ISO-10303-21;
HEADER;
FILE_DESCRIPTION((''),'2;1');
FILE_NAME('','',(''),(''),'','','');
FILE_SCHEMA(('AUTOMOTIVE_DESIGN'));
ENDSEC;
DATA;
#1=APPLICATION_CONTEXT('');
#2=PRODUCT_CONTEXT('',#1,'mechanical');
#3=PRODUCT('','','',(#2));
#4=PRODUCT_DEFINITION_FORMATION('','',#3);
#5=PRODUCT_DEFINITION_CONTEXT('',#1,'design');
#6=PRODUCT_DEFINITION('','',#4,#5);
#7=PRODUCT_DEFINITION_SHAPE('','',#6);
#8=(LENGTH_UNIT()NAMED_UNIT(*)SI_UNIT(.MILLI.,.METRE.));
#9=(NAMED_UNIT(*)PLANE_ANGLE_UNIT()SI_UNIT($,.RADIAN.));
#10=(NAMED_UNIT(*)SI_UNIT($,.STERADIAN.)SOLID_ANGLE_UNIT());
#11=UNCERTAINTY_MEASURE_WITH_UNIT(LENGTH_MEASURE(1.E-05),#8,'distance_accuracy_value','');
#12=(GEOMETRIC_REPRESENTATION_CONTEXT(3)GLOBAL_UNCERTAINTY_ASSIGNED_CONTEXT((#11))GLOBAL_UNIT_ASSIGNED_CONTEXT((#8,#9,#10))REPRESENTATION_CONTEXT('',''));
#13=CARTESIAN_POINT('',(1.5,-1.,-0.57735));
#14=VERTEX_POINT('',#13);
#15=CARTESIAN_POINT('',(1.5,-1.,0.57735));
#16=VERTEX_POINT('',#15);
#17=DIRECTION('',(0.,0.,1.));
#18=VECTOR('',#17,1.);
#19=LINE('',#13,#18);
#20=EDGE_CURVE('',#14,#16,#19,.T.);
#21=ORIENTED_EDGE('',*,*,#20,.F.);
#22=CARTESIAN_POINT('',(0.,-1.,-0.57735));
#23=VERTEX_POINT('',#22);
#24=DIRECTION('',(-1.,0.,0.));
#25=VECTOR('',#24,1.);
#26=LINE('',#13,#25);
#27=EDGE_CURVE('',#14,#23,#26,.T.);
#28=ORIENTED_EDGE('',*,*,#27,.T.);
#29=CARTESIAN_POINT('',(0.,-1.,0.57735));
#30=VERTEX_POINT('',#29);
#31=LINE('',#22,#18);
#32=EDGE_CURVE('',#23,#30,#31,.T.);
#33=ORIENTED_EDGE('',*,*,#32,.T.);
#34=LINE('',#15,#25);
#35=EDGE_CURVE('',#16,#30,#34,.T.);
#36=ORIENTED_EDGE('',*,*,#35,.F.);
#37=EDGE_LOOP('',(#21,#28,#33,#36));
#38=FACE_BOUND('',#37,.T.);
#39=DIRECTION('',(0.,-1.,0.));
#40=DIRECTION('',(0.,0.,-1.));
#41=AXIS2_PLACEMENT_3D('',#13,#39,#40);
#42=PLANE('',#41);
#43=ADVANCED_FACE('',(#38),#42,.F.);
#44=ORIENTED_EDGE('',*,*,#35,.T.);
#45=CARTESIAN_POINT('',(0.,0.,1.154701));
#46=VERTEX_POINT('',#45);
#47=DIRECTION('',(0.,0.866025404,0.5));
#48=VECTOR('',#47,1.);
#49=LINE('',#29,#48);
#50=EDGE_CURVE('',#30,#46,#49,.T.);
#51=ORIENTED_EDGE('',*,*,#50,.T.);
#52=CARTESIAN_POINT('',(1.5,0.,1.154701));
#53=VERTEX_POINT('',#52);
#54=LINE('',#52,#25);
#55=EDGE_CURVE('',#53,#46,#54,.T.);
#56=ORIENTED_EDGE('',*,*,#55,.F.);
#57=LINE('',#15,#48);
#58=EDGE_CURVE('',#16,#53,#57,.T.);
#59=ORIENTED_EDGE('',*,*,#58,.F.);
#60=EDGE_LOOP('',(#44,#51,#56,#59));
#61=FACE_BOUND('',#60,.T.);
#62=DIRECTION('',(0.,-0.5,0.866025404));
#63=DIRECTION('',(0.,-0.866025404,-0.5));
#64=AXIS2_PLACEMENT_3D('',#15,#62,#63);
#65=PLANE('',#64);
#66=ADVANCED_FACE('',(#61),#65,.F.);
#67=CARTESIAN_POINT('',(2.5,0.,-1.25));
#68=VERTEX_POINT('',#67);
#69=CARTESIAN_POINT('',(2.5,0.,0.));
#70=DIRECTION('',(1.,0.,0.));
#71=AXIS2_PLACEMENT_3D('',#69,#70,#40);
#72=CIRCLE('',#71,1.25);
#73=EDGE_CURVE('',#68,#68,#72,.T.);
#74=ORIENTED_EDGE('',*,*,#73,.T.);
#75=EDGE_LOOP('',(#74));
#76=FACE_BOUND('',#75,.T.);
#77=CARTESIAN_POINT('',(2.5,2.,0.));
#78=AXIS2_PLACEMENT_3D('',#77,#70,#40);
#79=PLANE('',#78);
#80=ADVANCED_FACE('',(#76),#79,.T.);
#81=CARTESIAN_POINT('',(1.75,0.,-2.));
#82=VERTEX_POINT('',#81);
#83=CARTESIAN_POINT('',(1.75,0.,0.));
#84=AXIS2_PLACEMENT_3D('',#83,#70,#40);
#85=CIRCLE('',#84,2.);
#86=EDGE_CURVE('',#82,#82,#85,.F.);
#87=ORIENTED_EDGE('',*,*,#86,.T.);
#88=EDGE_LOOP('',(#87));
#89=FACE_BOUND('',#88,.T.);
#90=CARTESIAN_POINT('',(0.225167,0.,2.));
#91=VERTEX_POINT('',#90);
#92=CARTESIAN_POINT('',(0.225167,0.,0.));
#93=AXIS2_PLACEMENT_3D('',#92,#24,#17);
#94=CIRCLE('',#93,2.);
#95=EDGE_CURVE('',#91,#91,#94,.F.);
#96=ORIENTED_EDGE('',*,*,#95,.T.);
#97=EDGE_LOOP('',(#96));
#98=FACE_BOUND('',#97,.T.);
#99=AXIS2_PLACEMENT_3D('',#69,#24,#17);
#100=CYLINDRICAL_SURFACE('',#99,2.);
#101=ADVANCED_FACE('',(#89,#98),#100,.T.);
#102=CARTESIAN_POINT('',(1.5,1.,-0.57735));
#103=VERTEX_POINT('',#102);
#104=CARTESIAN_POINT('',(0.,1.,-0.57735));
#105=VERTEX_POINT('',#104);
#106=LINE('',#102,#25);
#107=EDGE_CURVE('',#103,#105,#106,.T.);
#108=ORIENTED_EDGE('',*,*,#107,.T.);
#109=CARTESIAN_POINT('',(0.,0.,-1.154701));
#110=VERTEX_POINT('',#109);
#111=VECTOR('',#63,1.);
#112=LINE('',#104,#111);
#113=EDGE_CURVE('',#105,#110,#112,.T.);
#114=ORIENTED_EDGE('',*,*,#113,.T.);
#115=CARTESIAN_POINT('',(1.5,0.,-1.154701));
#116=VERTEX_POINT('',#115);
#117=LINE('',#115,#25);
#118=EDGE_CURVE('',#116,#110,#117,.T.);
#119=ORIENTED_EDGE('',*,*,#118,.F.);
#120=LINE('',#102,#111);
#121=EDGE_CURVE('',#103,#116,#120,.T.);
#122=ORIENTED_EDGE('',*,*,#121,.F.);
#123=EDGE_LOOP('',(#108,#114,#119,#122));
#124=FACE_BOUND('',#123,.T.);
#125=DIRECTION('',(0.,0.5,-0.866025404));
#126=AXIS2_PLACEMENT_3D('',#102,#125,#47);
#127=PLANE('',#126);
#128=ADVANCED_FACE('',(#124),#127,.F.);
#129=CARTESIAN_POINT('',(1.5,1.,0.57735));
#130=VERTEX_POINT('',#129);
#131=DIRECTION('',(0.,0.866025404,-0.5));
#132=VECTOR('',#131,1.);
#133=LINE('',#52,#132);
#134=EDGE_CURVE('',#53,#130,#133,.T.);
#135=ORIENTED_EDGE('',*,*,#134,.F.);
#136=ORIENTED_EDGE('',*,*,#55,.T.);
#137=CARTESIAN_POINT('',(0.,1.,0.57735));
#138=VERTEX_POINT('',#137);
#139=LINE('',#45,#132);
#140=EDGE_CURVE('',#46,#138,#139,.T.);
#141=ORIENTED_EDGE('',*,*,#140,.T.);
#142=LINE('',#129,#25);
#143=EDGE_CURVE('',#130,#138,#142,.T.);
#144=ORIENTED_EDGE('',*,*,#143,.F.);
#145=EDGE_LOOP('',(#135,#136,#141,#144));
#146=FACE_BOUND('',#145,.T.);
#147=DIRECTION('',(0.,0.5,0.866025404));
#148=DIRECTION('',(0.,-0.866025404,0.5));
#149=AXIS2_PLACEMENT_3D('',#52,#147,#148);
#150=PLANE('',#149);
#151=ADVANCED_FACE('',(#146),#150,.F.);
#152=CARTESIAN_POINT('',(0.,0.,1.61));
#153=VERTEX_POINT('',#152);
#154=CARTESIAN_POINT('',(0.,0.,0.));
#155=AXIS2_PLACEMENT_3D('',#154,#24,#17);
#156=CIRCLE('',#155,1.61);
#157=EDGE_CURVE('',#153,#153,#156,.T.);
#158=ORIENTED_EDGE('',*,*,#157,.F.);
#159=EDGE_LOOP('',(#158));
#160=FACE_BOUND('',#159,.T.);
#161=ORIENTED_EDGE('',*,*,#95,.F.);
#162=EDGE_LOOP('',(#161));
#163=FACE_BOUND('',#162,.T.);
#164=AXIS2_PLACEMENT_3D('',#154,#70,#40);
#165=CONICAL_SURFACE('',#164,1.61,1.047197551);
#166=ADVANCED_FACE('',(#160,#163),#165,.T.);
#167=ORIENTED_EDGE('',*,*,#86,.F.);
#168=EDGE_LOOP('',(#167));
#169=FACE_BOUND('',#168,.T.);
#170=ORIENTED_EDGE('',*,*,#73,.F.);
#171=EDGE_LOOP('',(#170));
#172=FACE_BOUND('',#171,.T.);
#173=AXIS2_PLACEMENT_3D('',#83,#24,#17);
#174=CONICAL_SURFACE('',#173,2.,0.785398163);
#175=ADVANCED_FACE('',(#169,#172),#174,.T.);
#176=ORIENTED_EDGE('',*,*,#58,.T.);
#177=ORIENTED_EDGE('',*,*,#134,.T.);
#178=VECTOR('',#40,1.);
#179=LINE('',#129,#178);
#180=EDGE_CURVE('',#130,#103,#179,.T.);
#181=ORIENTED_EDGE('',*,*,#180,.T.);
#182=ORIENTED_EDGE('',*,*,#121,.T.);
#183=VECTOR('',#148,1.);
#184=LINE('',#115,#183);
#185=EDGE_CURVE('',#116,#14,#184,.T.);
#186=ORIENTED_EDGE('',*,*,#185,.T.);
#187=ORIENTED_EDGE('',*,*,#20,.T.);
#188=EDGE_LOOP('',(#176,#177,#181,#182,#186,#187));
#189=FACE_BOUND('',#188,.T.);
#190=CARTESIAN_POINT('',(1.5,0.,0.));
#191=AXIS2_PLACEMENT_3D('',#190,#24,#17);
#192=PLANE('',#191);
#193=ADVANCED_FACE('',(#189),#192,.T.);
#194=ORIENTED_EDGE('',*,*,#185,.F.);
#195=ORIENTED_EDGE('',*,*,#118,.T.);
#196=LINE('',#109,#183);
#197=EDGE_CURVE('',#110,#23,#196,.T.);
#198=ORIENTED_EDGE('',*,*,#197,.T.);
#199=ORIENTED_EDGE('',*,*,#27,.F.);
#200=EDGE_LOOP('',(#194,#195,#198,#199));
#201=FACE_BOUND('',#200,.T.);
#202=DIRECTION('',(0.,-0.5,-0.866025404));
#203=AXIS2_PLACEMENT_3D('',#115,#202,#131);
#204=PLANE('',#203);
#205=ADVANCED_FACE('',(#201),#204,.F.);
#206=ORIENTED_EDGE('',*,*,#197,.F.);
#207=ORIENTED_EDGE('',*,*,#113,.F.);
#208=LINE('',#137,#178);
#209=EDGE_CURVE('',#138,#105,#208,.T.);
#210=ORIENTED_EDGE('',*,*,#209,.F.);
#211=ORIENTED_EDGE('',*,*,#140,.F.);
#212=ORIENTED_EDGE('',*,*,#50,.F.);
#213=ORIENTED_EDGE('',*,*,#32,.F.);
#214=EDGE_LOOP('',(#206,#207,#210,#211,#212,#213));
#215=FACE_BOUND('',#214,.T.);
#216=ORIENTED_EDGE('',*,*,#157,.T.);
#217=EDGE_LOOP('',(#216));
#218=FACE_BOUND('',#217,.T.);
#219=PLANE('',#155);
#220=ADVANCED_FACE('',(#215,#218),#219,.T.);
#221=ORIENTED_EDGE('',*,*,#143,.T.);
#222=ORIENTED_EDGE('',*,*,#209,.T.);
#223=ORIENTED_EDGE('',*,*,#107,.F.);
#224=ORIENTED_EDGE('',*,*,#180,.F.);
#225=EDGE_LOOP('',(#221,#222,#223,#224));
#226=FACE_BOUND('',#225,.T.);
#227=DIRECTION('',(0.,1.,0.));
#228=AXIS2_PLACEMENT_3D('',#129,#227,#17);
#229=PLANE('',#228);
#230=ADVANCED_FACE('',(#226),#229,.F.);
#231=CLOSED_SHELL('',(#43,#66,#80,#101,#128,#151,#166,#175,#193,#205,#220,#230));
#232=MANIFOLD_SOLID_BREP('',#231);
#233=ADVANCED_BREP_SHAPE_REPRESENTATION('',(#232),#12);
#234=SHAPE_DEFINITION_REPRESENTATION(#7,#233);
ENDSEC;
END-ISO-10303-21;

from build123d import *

# Parameters (mm, degrees)
SKETCH_1_W          = 2.5
SKETCH_1_H          = 2
CUT_EXTRUDE_1_DEPTH = 1.5
CHAMFER_1_SIZE      = 0.75
CHAMFER_2_SIZE      = 0.39
CHAMFER_2_SIZE2     = 0.225166605


with BuildPart() as part:
    # Эскиз1 → Повернуть1 (revolve)
    with BuildSketch(Plane(origin=(0, 0, 0), x_dir=(-1, 0, 0), z_dir=(0, 0, -1))):
        with Locations((-1.25, 1)):
            Rectangle(SKETCH_1_W, SKETCH_1_H)
    revolve(axis=Axis((2.5, 0, 0), (-1, 0, 0)))

    # Эскиз2 → Вырез-Вытянуть1 (cut)
    with BuildSketch(Plane.ZY):
        Polygon((1.154700538, 0), (0.577350269, 1), (-0.577350269, 1), (-1.154700538, 0), (-0.577350269, -1), (0.577350269, -1), align=None)
    extrude(amount=-CUT_EXTRUDE_1_DEPTH, mode=Mode.SUBTRACT)

    # Фаска1
    chamfer_1_edges = [part.edges().sort_by_distance(p)[0] for p in [
        (2.5, -2, 0),
    ]]
    chamfer(chamfer_1_edges, length=CHAMFER_1_SIZE)

    # Фаска2
    chamfer_2_edges = [part.edges().sort_by_distance(p)[0] for p in [
        (0, -2, 0),
    ]]
    chamfer_2_side = [part.faces().sort_by_distance(p)[0] for p in [
        (0, -1.943431458, 0),
    ]]
    chamfer(chamfer_2_edges, length=CHAMFER_2_SIZE, length2=CHAMFER_2_SIZE2, reference=chamfer_2_side[0])


solid = part.part
